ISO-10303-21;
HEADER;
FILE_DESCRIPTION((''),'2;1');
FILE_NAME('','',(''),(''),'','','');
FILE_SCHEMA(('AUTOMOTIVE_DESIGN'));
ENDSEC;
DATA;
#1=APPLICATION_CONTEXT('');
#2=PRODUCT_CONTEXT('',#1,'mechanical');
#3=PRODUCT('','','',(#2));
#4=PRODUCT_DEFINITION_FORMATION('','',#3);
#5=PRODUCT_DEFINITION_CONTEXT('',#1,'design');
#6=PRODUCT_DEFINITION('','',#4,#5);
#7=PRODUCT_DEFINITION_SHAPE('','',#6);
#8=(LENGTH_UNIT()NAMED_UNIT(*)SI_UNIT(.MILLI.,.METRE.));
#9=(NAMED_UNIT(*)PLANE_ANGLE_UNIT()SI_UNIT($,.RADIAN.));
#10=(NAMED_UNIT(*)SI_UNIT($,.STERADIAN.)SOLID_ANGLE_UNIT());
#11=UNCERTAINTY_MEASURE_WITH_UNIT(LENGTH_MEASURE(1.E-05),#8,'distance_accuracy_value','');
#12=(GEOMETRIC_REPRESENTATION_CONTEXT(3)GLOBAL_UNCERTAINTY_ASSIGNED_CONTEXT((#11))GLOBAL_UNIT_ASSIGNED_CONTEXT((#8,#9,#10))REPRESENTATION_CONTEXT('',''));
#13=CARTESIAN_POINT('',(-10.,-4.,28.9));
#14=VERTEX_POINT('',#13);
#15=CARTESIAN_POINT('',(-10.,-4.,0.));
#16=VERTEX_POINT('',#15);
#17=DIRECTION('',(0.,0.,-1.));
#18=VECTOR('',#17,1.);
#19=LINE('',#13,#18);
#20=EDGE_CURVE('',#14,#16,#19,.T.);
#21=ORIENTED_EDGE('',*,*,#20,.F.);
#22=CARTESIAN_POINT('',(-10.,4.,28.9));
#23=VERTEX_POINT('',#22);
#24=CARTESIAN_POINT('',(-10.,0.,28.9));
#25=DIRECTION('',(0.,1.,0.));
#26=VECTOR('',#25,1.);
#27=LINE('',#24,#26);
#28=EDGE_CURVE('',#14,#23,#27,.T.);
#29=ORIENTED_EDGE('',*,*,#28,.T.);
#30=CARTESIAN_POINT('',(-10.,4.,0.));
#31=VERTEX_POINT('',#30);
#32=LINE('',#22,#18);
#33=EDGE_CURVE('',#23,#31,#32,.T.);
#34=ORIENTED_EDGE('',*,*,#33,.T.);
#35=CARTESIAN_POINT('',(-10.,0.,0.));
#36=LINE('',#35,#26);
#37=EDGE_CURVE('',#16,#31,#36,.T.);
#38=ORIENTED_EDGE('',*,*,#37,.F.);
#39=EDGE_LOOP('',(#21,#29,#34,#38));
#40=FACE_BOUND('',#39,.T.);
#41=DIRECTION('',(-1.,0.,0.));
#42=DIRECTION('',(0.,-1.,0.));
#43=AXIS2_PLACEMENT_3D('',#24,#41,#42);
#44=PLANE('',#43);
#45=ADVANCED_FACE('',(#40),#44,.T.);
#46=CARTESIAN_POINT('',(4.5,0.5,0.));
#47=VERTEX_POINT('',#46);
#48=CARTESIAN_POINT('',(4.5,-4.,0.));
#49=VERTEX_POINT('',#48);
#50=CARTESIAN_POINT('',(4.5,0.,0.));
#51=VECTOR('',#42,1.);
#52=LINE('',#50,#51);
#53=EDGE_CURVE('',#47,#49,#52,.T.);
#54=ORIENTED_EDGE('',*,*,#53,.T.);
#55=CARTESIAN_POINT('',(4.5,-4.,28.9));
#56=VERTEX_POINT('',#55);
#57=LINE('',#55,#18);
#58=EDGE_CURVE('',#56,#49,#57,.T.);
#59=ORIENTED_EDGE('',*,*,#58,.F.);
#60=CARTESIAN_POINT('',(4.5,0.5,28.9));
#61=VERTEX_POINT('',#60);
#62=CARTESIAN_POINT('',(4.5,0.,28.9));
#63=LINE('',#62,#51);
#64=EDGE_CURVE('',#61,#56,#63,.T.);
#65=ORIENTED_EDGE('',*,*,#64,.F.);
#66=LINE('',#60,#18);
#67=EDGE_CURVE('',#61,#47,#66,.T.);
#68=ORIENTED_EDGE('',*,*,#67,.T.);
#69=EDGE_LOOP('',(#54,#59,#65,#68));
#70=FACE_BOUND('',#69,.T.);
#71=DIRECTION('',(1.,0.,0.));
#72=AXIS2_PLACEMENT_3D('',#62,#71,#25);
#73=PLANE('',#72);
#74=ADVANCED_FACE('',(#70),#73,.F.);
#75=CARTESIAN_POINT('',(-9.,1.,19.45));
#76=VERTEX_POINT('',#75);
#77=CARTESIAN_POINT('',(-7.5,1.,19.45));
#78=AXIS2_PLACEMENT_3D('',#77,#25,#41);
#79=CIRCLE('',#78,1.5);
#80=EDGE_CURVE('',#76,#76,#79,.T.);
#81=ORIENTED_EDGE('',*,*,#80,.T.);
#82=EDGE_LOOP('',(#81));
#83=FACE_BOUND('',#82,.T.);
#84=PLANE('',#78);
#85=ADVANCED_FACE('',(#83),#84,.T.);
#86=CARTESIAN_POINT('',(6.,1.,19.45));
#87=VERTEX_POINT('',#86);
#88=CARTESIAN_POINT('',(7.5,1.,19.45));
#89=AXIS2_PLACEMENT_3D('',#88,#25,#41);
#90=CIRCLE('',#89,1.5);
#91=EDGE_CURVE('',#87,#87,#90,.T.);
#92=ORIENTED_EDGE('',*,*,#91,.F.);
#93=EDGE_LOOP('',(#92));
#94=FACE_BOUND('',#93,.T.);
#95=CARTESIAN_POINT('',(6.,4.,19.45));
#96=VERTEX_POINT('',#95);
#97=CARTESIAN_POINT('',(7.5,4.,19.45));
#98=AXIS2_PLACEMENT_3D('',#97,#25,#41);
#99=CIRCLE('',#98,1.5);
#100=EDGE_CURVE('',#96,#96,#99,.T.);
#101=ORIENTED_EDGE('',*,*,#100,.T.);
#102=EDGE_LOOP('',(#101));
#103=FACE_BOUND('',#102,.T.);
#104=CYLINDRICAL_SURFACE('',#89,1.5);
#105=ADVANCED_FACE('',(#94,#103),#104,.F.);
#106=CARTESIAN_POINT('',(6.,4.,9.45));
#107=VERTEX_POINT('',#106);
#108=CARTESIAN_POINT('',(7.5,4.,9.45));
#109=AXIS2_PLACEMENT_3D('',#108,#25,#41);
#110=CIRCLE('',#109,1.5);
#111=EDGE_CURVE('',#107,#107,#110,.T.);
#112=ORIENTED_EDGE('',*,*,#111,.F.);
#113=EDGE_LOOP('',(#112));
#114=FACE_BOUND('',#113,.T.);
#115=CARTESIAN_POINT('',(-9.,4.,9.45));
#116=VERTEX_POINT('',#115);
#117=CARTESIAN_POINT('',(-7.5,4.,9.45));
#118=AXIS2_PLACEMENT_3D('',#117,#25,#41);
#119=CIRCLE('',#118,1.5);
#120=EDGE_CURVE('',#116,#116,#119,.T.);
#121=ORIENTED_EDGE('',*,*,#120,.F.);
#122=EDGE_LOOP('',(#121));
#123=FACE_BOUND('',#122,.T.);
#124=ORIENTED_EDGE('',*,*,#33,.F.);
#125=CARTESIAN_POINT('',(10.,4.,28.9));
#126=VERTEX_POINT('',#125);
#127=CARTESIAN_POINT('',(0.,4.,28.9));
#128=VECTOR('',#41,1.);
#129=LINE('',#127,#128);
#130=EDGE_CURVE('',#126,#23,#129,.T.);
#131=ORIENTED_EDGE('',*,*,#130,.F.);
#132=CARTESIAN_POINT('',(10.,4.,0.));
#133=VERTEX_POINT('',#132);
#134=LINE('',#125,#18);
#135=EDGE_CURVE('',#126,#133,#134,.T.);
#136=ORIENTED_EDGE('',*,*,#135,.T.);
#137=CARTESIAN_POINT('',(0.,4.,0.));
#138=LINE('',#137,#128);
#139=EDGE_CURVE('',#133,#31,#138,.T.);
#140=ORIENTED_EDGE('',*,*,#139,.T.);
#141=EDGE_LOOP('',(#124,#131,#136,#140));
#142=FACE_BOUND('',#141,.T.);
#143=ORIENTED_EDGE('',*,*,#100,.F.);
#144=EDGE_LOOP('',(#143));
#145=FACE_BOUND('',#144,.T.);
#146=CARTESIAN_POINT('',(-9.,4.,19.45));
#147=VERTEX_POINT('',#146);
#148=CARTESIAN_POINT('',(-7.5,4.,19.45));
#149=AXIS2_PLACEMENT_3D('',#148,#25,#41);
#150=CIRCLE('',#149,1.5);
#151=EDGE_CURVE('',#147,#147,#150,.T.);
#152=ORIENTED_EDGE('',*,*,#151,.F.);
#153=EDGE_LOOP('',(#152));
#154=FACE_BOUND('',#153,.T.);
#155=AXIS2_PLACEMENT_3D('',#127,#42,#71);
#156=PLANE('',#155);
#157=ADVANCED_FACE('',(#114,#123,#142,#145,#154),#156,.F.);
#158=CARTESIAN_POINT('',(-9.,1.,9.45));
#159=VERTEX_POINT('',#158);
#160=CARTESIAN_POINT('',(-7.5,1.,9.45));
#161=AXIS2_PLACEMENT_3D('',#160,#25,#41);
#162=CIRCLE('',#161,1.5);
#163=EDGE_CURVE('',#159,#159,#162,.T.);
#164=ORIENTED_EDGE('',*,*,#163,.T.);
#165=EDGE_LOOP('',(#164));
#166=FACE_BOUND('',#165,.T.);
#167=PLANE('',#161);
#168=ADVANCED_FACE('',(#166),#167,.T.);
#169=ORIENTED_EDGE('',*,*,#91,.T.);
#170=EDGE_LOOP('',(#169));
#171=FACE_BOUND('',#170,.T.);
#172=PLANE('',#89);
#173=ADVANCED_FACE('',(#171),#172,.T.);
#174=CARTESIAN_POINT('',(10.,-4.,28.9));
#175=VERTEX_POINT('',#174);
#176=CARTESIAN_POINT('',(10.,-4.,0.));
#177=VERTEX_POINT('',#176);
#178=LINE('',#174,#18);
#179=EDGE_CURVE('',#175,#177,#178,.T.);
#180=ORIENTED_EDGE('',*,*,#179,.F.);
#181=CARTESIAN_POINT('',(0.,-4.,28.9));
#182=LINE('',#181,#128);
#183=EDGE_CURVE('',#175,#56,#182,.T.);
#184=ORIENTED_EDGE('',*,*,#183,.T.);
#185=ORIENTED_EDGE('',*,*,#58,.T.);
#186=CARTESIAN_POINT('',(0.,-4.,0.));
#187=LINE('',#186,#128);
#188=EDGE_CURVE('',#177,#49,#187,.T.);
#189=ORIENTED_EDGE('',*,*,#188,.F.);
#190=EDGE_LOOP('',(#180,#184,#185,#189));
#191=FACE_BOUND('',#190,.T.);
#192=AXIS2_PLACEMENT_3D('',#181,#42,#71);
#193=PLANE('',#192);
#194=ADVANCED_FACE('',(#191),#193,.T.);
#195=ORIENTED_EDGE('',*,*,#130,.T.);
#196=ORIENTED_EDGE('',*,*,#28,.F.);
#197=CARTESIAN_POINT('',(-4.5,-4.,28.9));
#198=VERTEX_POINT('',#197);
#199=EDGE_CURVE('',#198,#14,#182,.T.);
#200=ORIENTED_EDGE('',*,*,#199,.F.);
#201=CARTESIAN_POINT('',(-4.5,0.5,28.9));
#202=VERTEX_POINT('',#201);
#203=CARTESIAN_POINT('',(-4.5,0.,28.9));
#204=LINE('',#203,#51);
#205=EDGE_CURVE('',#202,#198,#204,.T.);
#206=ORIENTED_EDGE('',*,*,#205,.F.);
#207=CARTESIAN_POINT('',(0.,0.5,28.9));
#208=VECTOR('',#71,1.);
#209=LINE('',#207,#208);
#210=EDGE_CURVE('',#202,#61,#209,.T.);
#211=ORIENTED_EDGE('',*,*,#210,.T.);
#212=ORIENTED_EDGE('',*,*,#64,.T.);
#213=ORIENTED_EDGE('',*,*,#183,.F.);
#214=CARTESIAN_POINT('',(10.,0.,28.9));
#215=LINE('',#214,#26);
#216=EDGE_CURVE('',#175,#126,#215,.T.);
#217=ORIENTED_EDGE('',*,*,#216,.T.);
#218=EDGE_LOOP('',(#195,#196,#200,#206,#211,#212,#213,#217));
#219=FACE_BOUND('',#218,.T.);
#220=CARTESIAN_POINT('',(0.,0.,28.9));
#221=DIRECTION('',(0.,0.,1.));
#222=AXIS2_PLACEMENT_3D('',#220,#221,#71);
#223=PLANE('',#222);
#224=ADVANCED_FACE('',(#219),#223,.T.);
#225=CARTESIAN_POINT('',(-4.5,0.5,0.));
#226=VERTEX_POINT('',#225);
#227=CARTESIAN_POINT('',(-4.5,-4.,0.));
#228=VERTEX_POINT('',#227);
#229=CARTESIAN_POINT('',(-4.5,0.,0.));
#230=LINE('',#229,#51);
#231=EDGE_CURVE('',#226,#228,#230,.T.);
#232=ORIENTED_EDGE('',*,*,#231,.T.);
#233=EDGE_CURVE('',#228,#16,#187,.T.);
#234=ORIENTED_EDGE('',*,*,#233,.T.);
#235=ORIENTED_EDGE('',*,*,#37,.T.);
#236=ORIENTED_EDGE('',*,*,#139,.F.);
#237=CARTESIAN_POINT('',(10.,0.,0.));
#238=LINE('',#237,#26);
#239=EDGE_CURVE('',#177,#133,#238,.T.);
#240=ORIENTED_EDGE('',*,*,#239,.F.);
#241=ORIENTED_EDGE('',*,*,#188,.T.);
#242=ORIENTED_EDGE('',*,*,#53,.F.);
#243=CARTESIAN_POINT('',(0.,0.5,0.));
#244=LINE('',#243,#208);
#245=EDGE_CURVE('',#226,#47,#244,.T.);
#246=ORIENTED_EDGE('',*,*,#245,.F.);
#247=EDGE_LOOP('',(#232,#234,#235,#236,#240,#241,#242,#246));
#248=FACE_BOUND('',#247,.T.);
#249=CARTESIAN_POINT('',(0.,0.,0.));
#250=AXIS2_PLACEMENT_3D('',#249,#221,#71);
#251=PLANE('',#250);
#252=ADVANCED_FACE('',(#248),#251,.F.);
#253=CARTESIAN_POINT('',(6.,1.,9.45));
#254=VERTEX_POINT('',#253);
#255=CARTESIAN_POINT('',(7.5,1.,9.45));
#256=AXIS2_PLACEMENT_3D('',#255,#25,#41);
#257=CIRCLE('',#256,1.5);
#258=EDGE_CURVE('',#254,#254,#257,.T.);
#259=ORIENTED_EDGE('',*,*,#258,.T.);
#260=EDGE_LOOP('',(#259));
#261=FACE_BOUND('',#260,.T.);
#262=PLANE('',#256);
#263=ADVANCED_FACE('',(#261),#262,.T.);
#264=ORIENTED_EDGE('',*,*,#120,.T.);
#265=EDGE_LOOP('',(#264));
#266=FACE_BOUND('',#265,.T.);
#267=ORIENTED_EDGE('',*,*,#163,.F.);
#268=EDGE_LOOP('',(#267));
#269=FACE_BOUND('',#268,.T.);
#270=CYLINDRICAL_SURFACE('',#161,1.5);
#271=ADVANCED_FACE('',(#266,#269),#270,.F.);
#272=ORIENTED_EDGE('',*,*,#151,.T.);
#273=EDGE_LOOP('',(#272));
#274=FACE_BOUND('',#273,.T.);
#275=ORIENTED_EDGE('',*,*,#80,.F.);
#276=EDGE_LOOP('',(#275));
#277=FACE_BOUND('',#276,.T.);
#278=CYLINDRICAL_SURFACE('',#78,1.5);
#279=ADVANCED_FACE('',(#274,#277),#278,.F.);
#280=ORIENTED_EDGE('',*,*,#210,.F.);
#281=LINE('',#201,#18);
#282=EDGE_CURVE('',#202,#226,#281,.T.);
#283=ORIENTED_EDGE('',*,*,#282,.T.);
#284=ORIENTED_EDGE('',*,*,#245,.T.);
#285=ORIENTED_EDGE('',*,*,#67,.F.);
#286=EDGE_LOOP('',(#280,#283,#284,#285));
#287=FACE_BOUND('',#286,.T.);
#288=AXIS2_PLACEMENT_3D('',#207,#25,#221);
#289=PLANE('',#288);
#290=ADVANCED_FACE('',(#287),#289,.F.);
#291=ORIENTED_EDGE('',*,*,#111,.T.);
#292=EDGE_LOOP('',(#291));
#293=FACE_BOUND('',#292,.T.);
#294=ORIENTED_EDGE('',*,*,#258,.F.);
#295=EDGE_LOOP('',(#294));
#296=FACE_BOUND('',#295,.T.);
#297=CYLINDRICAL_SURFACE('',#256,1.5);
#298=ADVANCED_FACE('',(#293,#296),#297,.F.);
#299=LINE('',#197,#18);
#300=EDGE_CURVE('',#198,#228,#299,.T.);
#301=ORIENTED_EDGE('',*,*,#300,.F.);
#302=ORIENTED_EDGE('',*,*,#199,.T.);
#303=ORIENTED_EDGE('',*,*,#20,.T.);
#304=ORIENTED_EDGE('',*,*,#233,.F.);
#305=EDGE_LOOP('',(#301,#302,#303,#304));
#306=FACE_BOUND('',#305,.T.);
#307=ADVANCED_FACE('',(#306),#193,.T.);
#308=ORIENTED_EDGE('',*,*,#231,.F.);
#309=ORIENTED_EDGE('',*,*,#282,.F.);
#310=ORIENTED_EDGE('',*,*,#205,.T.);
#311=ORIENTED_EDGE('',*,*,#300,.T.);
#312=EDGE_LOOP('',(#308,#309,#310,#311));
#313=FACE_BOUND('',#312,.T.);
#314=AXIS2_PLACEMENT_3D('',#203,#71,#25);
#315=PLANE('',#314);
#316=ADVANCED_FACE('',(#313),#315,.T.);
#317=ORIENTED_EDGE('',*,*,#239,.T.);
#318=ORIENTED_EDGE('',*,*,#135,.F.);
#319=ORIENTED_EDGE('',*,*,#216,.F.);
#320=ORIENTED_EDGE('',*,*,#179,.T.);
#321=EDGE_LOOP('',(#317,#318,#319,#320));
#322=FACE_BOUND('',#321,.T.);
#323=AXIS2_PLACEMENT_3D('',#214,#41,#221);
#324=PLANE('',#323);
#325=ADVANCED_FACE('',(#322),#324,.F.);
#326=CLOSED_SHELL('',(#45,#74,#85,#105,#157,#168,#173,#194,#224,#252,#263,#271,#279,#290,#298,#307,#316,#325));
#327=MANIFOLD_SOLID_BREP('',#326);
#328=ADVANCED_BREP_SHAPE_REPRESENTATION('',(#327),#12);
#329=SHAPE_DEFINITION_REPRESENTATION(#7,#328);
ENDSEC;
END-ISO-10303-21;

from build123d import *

# Parameters (mm, degrees)
EXTRUDE_1_DEPTH     = 28.9
SKETCH_3_R          = 1.5
CUT_EXTRUDE_1_DEPTH = 3


with BuildPart() as part:
    # 草图2 → 凸台-拉伸1 (new body)
    with BuildSketch(Plane.XY):
        Polygon((4.5, -4), (10, -4), (10, 4), (-10, 4), (-10, -4), (-4.5, -4), (-4.5, 0.5), (4.5, 0.5), align=None)
    extrude(amount=EXTRUDE_1_DEPTH)

    # 草图3 → 切除-拉伸1 (cut)
    with BuildSketch(Plane(origin=(0, 4, 0), x_dir=(1, 0, 0), z_dir=(0, 1, 0))):
        with Locations(Location((-7.5, -9.45, 0), (0, 0, 180))):
            Circle(SKETCH_3_R)
        with Locations(Location((7.5, -9.45, 0), (0, 0, 180))):
            Circle(SKETCH_3_R)
        with Locations(Location((7.5, -19.45, 0), (0, 0, 180))):
            Circle(SKETCH_3_R)
        with Locations(Location((-7.5, -19.45, 0), (0, 0, 180))):
            Circle(SKETCH_3_R)
    extrude(amount=-CUT_EXTRUDE_1_DEPTH, mode=Mode.SUBTRACT)


solid = part.part
